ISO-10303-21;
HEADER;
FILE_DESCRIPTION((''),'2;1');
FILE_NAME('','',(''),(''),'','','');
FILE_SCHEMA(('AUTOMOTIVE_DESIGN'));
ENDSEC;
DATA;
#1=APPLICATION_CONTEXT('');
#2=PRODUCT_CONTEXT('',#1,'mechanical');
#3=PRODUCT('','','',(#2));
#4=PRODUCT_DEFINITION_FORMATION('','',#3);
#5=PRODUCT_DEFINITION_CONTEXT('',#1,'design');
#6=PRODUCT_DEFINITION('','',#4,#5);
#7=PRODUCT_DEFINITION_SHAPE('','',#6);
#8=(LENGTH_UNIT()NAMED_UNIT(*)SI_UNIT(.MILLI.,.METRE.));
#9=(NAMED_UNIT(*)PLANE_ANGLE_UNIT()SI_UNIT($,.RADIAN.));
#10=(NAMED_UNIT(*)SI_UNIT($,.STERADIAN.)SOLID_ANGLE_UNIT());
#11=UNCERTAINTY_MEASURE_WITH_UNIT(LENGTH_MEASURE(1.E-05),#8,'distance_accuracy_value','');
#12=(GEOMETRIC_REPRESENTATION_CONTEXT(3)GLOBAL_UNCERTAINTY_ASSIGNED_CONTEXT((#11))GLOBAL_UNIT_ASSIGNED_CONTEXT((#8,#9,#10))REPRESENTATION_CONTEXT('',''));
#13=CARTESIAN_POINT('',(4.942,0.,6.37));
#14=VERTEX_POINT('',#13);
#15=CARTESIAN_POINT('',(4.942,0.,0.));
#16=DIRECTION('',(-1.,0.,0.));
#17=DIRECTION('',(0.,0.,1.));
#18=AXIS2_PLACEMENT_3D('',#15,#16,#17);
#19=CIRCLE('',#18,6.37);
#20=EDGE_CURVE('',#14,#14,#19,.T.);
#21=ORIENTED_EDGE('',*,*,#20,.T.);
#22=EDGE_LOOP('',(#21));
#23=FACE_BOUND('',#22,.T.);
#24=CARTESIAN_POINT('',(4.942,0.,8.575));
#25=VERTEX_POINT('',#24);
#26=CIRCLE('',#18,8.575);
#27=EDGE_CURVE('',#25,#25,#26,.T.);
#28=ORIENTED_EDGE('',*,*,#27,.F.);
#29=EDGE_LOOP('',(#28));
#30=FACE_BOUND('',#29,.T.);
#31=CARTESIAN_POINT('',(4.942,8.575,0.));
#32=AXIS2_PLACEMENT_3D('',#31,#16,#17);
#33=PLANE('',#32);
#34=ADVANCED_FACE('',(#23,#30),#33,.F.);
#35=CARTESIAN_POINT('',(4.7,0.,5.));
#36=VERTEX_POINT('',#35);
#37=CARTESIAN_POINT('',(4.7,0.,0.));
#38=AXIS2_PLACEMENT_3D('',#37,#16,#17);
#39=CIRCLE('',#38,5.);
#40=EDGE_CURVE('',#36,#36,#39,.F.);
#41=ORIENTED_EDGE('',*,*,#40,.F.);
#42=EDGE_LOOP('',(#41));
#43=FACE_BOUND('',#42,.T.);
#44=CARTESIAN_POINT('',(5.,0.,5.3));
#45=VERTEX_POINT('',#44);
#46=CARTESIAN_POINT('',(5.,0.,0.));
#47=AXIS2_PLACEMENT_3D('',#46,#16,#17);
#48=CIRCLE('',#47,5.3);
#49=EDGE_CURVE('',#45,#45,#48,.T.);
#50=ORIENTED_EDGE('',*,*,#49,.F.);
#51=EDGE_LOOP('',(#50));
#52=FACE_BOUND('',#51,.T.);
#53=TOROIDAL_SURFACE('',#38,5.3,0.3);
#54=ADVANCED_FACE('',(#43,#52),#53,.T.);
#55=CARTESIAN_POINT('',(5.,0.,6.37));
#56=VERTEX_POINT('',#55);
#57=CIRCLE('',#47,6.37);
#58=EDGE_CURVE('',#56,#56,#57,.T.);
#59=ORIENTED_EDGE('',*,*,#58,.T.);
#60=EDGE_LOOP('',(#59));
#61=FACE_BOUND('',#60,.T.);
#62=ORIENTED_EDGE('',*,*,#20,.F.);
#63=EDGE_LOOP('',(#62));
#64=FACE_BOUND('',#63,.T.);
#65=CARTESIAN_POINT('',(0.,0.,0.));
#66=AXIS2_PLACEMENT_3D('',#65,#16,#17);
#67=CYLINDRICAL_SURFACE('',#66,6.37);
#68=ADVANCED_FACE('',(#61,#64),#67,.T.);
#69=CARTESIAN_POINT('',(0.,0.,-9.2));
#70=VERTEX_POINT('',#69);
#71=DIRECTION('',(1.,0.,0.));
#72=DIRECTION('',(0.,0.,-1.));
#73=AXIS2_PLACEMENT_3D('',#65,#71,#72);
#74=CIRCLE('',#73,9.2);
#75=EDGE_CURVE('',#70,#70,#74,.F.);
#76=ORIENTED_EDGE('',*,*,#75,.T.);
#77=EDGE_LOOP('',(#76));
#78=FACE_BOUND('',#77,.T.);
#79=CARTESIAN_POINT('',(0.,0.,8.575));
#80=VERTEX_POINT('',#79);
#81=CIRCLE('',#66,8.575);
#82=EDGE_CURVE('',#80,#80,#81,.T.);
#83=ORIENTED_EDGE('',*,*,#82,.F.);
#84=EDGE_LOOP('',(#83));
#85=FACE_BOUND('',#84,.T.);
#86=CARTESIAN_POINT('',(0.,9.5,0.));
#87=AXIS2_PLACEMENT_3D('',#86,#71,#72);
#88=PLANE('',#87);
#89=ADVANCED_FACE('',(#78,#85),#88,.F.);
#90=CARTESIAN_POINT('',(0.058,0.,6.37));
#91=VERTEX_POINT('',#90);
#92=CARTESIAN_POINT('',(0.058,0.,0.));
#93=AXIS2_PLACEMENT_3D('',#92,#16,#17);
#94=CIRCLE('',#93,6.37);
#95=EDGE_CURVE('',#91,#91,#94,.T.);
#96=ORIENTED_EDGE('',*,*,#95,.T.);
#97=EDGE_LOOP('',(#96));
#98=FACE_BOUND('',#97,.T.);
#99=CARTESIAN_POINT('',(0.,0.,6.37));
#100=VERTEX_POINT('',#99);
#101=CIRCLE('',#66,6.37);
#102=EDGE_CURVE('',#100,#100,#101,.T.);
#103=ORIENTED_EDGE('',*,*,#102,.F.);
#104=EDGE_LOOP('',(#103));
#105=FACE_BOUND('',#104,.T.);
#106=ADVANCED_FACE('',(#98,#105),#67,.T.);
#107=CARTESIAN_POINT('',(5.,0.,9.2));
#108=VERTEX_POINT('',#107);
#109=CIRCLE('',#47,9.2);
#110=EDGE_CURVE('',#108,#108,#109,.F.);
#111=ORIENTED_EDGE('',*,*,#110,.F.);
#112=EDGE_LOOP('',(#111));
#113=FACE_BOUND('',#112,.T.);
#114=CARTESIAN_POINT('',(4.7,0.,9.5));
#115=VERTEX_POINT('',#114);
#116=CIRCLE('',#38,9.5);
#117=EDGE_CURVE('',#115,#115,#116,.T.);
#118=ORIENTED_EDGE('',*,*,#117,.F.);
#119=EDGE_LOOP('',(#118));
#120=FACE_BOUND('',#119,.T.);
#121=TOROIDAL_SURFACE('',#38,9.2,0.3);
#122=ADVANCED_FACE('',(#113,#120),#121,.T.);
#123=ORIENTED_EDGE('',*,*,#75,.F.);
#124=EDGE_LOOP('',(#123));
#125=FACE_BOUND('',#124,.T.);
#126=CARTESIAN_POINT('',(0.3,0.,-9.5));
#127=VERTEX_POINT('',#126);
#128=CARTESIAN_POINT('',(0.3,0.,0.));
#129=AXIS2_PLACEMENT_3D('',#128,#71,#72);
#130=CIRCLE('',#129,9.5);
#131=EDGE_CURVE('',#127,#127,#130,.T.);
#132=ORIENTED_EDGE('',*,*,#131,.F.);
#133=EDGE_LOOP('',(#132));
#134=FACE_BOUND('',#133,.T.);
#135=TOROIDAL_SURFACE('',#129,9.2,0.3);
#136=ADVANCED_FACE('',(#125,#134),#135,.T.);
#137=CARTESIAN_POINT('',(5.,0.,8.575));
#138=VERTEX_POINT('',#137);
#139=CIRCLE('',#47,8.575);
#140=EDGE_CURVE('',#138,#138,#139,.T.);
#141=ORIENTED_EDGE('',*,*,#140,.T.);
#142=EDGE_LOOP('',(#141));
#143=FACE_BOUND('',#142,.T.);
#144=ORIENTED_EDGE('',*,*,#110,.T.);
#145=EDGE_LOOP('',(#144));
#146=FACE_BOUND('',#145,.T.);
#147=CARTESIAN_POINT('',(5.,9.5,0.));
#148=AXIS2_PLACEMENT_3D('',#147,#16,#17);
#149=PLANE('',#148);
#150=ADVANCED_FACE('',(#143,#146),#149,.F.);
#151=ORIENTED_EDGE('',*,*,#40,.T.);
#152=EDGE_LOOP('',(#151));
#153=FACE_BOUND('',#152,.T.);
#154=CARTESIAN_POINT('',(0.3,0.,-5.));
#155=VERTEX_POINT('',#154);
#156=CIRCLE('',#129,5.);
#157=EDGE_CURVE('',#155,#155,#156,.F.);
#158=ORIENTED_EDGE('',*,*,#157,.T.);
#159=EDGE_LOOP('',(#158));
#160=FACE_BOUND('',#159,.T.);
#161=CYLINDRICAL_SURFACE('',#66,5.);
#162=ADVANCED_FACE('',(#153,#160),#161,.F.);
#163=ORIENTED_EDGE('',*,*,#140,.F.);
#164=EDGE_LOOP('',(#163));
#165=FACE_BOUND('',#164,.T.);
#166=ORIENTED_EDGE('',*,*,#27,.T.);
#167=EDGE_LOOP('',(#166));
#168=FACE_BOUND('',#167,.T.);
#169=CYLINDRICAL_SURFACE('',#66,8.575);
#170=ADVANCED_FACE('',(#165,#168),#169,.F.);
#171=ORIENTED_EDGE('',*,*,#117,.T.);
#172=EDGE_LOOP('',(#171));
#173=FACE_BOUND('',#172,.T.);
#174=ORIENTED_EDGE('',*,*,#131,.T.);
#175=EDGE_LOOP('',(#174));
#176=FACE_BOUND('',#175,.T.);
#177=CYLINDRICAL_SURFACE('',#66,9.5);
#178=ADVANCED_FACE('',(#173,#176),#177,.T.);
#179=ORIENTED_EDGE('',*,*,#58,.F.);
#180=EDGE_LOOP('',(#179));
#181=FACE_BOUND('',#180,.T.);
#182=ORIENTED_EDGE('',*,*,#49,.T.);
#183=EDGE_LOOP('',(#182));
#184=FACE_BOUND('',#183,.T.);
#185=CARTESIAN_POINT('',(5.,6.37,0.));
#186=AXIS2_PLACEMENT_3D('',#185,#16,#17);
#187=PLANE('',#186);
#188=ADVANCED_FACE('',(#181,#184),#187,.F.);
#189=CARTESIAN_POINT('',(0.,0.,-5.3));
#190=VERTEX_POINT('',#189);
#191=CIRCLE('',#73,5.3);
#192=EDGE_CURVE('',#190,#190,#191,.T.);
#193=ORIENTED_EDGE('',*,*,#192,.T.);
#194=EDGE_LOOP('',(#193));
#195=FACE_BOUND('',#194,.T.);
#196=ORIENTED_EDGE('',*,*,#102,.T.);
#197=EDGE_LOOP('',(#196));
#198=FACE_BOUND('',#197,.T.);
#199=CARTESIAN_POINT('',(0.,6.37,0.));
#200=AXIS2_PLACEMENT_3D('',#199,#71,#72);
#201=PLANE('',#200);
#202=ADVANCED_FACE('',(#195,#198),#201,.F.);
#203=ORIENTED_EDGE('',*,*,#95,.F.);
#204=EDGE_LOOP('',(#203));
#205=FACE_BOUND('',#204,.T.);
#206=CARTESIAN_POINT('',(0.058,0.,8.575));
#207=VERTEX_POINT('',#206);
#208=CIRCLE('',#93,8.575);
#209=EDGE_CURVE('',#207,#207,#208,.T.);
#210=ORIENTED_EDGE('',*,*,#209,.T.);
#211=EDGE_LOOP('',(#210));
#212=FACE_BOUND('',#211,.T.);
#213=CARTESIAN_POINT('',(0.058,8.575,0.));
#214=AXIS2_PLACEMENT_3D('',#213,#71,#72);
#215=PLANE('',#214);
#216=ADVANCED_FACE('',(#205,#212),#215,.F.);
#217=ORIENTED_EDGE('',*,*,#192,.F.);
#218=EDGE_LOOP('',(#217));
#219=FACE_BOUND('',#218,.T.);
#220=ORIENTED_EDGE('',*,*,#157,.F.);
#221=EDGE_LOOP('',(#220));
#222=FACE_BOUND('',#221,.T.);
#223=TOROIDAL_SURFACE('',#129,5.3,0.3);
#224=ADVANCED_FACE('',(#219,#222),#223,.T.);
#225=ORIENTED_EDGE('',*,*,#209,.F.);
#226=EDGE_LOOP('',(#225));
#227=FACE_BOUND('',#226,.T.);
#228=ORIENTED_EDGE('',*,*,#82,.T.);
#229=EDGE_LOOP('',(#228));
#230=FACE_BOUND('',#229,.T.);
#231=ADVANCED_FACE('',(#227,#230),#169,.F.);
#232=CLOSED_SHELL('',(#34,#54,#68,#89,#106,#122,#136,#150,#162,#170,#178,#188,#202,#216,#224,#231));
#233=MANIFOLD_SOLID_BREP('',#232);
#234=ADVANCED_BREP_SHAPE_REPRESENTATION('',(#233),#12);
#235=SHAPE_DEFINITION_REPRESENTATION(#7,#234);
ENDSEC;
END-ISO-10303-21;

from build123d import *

# Parameters (mm, degrees)
FILLET1_R = 0.3
FILLET2_R = 0.3


with BuildPart() as part:
    # Sketch1 → Revolve1 (revolve)
    with BuildSketch(Plane.XY, mode=Mode.PRIVATE) as revolve1_sk:
        Polygon((0, 5), (5, 5), (5, 6.37), (4.942, 6.37), (4.942, 8.575), (5, 8.575), (5, 9.5), (0, 9.5), (0, 8.575), (0.058, 8.575), (0.058, 6.37), (0, 6.37), align=None)
    revolve(revolve1_sk.sketch.rotate(Axis((0, 0, 0), (1, 0, 0)), 90), axis=Axis((0, 0, 0), (1, 0, 0)))

    # Fillet1
    fillet1_edges = [part.edges().sort_by_distance(p)[0] for p in [
        (0, 0, -9.5),
        (5, 0, -9.5),
    ]]
    fillet(fillet1_edges, radius=FILLET1_R)

    # Fillet2
    fillet2_edges = [part.edges().sort_by_distance(p)[0] for p in [
        (5, 0, -5),
        (0, 0, -5),
    ]]
    fillet(fillet2_edges, radius=FILLET2_R)


solid = part.part
